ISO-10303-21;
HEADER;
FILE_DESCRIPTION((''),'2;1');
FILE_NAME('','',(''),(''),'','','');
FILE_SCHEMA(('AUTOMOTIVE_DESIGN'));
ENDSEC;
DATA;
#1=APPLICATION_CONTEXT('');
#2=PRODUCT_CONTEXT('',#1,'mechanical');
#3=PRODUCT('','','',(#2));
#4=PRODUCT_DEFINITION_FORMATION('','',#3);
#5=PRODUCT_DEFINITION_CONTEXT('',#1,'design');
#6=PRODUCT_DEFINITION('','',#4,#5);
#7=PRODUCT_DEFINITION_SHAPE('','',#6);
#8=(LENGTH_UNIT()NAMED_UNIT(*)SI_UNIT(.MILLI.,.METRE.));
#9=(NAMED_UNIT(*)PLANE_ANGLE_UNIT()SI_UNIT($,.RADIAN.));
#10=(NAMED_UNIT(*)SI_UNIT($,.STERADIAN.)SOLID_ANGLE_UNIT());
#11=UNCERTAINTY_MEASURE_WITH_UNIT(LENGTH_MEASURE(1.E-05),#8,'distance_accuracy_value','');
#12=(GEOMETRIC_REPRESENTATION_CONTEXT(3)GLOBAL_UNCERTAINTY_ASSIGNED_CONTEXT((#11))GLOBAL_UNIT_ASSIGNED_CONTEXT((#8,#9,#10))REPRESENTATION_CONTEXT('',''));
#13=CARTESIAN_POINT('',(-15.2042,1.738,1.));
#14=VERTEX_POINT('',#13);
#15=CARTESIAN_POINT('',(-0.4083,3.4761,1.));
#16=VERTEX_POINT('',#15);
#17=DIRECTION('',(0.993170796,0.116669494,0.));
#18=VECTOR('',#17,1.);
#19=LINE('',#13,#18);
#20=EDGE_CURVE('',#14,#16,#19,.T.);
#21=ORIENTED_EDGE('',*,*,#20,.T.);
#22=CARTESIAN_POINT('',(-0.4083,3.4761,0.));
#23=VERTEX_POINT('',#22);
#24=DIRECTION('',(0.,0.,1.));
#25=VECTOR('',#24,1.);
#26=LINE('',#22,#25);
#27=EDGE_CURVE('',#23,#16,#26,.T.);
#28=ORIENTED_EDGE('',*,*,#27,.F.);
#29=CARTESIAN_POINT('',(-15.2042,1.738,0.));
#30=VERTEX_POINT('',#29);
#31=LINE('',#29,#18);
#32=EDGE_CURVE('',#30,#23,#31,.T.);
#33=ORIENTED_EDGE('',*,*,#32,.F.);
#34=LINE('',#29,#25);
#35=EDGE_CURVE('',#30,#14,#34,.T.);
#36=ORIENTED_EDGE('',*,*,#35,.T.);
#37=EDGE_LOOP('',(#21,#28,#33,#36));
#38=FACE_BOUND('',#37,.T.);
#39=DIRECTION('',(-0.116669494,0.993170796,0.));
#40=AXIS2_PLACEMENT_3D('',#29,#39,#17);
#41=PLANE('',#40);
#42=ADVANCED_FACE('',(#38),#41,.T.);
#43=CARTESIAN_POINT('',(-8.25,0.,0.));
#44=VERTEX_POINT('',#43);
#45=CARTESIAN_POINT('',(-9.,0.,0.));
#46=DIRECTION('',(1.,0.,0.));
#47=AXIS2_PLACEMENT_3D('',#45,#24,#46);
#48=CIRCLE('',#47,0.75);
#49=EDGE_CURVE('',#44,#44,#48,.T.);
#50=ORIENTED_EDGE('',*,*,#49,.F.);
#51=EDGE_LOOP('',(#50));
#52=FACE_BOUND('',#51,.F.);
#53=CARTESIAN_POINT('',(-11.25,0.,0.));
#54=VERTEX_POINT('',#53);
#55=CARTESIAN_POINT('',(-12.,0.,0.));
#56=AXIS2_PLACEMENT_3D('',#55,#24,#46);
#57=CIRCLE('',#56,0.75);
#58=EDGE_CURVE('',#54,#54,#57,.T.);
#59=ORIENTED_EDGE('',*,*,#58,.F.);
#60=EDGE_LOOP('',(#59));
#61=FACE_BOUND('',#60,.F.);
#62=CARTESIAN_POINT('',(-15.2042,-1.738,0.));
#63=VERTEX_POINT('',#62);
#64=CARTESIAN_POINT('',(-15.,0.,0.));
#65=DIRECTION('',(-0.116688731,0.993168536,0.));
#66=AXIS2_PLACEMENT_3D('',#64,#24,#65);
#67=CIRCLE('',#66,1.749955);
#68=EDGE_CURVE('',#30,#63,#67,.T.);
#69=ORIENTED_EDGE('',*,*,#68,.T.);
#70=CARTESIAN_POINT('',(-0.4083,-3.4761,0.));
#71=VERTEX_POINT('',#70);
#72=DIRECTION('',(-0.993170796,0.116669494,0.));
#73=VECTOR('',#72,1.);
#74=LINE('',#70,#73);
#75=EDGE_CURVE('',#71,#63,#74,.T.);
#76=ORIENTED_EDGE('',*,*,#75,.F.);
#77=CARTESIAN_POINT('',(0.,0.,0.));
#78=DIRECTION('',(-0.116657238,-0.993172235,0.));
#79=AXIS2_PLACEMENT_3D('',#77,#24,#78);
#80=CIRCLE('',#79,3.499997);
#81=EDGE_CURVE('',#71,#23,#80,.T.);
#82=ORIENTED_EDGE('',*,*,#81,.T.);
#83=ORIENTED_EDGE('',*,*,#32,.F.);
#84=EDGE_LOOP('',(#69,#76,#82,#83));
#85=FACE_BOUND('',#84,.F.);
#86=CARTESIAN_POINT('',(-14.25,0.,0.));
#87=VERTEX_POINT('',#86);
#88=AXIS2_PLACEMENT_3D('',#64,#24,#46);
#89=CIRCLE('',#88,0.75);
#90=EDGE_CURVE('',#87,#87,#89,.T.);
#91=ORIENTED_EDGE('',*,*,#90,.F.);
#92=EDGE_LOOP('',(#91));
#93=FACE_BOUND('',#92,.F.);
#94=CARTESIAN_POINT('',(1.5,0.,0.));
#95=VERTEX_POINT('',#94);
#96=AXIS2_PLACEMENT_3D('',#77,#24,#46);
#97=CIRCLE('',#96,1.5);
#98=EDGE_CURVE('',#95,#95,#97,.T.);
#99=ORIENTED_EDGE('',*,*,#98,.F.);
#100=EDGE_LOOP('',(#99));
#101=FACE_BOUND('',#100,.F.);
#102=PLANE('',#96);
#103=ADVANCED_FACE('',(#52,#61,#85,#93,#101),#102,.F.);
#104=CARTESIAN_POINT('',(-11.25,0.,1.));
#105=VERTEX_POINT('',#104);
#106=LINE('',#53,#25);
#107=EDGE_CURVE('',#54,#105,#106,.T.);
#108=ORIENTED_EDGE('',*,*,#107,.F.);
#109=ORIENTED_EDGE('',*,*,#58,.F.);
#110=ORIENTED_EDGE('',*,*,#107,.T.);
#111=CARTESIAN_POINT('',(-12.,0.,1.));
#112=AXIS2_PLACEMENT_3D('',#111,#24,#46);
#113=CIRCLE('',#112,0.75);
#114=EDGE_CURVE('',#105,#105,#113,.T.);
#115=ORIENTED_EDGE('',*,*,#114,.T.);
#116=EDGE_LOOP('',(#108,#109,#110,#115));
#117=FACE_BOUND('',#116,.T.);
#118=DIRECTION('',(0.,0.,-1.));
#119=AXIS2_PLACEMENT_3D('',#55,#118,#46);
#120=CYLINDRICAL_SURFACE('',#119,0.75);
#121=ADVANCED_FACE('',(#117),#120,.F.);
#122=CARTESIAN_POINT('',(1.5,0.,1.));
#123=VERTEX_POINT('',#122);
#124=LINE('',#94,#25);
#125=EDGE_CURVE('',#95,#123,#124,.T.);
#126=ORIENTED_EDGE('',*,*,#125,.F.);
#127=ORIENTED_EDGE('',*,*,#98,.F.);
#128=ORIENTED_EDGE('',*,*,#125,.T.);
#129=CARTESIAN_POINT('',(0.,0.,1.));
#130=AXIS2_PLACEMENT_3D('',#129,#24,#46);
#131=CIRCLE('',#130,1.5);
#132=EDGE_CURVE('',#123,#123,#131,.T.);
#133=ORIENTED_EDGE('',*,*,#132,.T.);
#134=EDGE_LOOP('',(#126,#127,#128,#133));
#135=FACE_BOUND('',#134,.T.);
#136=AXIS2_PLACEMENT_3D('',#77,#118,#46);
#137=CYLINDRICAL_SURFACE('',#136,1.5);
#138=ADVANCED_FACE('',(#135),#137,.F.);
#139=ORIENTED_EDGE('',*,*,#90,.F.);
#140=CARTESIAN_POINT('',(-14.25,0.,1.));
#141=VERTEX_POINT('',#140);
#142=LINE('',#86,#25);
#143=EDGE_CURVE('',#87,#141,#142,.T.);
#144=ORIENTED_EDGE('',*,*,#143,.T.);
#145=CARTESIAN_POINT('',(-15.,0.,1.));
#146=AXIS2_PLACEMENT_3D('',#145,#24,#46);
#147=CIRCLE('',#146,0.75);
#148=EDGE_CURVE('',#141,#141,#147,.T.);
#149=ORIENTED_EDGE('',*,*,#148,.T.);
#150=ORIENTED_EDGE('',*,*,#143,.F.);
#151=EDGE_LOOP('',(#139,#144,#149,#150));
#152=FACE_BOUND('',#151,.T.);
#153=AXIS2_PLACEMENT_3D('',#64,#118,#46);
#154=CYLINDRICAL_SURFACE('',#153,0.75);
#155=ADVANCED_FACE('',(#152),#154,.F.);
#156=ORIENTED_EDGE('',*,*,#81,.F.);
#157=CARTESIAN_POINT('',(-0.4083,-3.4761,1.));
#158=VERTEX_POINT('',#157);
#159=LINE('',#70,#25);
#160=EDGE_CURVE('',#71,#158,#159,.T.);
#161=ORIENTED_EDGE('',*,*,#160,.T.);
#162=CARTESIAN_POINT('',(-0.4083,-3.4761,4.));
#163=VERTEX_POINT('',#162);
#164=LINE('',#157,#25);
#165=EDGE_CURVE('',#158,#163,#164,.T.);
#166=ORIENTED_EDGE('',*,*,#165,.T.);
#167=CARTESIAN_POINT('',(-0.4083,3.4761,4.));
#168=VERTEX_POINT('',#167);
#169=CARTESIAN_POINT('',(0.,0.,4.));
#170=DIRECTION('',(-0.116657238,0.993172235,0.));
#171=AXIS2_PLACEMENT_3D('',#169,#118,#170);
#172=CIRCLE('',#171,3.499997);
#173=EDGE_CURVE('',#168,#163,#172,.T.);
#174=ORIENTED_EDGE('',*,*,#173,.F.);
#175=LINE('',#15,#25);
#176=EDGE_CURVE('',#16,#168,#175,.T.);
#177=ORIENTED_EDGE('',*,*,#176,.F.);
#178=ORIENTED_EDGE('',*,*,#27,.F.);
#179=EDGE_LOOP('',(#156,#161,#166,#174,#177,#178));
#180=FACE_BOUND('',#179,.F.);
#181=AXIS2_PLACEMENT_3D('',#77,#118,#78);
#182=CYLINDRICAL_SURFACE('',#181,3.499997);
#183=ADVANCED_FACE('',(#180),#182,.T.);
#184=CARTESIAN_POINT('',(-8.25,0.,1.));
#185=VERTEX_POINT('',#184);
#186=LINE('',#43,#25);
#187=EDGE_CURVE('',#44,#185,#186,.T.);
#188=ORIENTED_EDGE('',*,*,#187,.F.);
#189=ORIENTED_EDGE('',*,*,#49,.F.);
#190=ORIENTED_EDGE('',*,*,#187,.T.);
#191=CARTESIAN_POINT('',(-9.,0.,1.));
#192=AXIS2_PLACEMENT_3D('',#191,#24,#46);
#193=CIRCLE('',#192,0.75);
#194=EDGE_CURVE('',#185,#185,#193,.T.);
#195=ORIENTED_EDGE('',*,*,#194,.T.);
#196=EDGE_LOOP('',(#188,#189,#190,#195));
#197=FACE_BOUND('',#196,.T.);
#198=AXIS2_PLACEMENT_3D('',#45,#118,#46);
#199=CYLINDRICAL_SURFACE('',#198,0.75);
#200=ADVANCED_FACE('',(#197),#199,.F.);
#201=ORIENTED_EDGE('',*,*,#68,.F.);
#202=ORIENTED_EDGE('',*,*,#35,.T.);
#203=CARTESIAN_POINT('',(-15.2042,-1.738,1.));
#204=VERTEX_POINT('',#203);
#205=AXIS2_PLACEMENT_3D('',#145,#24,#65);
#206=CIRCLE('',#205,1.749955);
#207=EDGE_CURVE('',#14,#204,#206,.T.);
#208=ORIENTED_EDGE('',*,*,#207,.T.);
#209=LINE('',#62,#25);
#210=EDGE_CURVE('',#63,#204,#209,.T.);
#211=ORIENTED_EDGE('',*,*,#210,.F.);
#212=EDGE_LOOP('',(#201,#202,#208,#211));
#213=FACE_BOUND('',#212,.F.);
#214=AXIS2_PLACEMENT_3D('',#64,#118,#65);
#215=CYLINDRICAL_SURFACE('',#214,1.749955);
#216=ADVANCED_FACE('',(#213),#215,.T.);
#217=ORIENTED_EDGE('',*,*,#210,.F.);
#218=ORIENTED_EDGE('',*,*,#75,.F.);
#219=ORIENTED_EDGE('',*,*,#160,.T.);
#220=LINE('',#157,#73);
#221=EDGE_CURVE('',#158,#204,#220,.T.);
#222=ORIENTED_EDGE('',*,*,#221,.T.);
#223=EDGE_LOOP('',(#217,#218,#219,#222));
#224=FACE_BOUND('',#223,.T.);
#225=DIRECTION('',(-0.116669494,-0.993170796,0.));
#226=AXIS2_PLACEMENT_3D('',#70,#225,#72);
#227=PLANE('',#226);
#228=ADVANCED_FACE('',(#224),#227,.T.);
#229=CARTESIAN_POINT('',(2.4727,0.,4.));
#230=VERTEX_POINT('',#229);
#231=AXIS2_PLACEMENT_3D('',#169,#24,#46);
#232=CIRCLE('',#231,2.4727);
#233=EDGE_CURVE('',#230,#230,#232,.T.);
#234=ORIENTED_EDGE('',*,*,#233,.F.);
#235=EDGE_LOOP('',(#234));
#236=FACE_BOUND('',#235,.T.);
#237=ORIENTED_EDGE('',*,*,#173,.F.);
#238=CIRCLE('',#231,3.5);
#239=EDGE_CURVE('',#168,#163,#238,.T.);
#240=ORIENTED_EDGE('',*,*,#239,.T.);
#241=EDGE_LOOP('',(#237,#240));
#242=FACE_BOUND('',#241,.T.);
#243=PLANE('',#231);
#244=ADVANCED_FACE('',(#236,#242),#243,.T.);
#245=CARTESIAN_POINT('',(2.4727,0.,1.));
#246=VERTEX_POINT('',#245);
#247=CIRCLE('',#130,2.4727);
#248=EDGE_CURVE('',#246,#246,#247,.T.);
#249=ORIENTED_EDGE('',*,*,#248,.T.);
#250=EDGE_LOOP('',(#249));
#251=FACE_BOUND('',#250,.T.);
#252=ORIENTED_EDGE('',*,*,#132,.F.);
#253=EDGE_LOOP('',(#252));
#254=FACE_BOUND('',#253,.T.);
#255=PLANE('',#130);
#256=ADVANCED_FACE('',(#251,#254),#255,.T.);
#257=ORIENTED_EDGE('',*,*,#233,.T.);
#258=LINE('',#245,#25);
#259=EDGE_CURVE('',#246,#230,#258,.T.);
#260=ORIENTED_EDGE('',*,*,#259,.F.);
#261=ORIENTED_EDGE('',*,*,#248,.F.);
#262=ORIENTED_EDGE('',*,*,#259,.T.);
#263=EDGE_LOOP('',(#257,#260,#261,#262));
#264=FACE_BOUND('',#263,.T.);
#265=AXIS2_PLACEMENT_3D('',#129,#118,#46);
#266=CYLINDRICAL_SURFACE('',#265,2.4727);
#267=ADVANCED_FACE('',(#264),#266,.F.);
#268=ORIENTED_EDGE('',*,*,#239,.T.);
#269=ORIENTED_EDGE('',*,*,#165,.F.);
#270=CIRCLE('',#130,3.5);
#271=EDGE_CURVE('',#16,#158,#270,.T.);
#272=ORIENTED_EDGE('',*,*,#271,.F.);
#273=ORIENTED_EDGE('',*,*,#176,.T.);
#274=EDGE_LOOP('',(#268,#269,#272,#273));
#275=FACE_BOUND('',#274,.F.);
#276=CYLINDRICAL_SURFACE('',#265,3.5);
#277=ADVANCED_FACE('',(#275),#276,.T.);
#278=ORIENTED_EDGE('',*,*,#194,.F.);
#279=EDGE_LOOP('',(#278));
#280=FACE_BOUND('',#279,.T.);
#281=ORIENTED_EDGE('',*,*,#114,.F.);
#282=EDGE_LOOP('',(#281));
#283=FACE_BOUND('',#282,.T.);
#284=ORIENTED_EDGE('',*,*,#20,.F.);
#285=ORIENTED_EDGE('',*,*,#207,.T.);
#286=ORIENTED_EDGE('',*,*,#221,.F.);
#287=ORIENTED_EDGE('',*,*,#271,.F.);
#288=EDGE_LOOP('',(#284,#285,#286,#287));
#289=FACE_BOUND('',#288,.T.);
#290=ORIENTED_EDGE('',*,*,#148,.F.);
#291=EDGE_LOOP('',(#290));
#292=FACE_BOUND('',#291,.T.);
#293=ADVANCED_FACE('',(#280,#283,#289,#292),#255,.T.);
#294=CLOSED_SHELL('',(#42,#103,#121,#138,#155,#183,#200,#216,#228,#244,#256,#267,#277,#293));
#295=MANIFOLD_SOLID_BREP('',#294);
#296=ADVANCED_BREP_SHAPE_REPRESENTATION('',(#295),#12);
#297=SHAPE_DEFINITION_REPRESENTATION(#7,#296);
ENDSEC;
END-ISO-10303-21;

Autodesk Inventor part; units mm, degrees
ref_plane "YZ Plane" through (0, 0, 0) normal (1, 0, 0) x (0, 1, 0)
ref_plane "XZ Plane" through (0, 0, 0) normal (0, 1, 0) x (-1, 0, 0)
ref_plane "XY Plane" through (0, 0, 0) normal (0, 0, 1) x (1, 0, 0)
sketch "Sketch1" plane through (0, 0, 0) normal (0, 0, 1) x (1, 0, 0)
  circle A0 centre (0, 0) radius 1.5
  circle A1 centre (-15, 0) radius 0.75
  line L0 (-15, 0) -> (0, 0) construction
  arc A2 (-0.4083, -3.4761) -> (-0.4083, 3.4761) centre (0, 0) ccw
  arc A3 (-15.2042, 1.738) -> (-15.2042, -1.738) centre (-15, 0) ccw
  circle A4 centre (-12, 0) radius 0.75
  circle A5 centre (-9, 0) radius 0.75
  line L1 (-15.2042, 1.738) -> (-0.4083, 3.4761)
  line L2 (-0.4083, -3.4761) -> (-15.2042, -1.738)
  dimension "d0" = 15
  dimension "d1" = 1.5
  dimension "d2" = 3
  dimension "d5" = 3
  dimension "d10" = 1
  dimension "d11" = 2
extrude "Extrusion1" add sketch "Sketch1" along normal blind 1
sketch "Sketch2" plane through (0, 0, 1) normal (0, 0, 1) x (1, 0, 0)
  arc A0 (-0.4083, -3.4761) -> (-0.4083, 3.4761) centre (0, 0) ccw projected
  circle A1 centre (0, 0) radius 3.5
  circle A2 centre (0, 0) radius 2.4727
  point P0 (-0.4083, -3.4761)
extrude "Extrusion2" add sketch "Sketch2" along normal blind 3
properties part number "ServoHorn"
